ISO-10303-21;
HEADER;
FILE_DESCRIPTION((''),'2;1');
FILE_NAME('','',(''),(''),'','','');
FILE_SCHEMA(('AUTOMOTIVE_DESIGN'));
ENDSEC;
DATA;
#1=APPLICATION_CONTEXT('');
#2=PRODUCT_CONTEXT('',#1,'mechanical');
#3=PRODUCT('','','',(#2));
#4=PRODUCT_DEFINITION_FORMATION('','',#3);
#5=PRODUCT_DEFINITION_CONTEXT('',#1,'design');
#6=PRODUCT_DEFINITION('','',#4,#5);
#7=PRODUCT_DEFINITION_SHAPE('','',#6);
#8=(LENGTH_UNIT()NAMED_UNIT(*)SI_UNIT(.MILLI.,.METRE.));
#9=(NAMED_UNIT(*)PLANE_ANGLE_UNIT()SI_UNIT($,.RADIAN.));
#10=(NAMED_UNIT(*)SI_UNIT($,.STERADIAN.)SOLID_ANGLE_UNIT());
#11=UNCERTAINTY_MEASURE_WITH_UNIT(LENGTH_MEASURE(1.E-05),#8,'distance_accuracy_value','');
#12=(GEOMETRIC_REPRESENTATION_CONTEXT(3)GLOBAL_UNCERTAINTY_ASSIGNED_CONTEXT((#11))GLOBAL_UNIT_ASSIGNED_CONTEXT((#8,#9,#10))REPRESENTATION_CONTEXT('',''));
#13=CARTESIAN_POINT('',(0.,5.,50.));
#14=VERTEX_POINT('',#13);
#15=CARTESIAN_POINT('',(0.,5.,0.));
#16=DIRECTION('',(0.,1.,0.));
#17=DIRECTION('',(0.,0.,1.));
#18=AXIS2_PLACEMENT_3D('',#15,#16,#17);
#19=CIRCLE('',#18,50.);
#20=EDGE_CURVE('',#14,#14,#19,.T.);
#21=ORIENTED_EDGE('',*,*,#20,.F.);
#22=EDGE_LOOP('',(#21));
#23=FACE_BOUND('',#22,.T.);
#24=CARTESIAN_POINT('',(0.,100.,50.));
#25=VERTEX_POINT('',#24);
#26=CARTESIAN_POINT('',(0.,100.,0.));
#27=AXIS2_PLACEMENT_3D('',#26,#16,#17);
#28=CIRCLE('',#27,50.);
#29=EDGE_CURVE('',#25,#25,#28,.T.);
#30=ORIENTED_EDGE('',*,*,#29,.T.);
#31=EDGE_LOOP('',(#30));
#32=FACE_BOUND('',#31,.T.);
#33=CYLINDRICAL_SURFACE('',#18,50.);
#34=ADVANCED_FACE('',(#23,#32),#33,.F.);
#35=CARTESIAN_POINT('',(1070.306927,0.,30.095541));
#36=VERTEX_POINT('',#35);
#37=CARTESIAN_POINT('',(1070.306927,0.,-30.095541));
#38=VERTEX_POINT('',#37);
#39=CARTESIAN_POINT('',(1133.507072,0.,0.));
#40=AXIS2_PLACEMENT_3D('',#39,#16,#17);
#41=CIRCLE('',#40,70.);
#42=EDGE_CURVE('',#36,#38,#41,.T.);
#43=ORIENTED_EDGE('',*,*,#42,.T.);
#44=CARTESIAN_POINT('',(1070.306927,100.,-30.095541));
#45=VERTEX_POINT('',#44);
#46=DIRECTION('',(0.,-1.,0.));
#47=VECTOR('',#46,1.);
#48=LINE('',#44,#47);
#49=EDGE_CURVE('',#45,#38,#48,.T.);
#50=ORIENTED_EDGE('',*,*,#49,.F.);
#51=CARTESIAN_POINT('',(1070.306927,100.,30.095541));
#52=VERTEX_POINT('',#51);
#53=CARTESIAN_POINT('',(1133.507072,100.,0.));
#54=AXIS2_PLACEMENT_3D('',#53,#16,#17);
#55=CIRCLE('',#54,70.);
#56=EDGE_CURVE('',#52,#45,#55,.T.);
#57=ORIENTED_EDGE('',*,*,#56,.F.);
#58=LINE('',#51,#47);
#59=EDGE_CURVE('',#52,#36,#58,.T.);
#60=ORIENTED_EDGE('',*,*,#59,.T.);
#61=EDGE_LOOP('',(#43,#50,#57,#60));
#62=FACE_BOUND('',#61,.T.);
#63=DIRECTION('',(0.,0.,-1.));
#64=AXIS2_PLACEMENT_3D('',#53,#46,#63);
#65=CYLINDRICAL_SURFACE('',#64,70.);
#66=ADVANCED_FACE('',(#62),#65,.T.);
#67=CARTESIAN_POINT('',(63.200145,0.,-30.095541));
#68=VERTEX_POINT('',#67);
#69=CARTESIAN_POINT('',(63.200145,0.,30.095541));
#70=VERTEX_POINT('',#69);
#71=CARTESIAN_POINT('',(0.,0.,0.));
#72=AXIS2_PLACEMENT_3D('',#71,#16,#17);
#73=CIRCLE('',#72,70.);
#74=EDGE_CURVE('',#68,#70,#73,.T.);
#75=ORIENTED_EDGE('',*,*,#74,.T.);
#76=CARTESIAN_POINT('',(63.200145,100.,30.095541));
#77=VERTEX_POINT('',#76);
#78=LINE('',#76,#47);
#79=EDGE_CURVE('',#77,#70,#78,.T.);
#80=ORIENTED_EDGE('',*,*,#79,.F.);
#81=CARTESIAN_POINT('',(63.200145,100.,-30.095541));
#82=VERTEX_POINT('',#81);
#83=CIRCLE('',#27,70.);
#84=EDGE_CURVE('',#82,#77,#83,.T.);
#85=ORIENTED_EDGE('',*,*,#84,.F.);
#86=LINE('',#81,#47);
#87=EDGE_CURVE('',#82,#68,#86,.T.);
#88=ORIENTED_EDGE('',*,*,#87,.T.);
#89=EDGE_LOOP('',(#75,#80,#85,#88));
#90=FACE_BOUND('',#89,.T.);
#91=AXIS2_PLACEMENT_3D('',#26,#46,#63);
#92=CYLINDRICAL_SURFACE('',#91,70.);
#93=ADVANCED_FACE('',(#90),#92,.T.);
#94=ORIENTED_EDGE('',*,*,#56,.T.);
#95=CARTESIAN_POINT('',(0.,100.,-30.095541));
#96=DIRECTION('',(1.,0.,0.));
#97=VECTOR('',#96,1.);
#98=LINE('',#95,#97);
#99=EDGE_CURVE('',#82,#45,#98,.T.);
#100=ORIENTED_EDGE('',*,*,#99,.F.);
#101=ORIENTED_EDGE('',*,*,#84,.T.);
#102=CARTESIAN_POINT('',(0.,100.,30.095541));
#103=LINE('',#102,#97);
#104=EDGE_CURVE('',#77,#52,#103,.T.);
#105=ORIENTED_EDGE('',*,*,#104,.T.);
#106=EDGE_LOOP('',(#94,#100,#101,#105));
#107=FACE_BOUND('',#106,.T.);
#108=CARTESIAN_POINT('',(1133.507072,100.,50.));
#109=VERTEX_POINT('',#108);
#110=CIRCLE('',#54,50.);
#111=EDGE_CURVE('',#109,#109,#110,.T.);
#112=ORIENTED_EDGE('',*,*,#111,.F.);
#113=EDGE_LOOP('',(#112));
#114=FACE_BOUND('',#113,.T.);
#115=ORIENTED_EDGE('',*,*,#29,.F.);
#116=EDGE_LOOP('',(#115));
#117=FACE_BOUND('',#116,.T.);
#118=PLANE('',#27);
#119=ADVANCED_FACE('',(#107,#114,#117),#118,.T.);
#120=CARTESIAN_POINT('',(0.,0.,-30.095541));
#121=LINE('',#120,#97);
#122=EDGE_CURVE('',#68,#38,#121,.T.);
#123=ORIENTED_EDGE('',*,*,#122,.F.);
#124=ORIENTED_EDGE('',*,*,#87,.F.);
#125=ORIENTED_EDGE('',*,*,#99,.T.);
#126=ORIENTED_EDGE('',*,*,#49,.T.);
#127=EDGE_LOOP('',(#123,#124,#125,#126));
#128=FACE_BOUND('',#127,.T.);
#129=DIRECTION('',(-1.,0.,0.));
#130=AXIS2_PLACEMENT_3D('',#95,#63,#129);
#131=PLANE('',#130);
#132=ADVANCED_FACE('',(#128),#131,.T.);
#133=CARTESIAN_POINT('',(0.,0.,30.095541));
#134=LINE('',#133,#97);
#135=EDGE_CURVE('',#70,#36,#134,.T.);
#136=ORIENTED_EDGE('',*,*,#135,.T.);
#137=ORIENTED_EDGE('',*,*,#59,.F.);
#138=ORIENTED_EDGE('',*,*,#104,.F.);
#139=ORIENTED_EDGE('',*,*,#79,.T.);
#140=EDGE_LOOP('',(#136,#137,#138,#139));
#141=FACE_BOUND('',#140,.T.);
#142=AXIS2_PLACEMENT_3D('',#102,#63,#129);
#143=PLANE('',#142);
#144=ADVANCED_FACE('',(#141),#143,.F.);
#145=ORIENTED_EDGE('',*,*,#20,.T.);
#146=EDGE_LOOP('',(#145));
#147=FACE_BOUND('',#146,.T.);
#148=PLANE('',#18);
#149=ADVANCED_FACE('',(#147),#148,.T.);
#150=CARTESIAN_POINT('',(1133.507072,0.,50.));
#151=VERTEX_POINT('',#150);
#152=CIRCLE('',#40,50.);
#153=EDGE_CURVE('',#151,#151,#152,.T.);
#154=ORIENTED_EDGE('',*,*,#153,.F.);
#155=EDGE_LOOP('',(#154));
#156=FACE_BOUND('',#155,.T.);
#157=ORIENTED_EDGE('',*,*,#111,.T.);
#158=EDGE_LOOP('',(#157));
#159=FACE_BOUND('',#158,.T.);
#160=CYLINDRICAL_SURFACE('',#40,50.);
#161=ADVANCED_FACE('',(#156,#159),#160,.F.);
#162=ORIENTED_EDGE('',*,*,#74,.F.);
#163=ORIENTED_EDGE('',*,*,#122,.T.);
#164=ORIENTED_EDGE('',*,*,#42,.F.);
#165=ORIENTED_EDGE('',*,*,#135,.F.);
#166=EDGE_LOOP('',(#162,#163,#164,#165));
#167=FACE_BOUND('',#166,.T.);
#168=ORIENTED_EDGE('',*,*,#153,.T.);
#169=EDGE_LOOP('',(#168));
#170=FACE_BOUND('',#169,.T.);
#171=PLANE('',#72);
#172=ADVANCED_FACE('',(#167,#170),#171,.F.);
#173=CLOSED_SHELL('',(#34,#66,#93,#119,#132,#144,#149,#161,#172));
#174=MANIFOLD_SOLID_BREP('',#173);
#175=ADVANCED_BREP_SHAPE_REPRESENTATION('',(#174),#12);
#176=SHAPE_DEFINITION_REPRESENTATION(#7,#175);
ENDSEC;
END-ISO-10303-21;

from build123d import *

# Parameters (mm, degrees)
ESQUISSE1_R             = 70
BOSS_EXTRU_2_DEPTH      = 100
ESQUISSE2_R             = 50
ENL_V_MAT_EXTRU_2_DEPTH = 95
ESQUISSE4_R             = 50
ENL_V_MAT_EXTRU_3_DEPTH = 101


with BuildPart() as part:
    # Esquisse1 → Boss.-Extru.2 (new body)
    with BuildSketch(Plane(origin=(0, 0, 0), x_dir=(1, 0, 0), z_dir=(0, 1, 0))):
        with BuildLine():
            Line((1070.306926615, 30.095541494), (63.200145428, 30.095541494))
            ThreePointArc((63.200145428, 30.095541494), (68.278877334, 15.427083652), (70, 0))
            ThreePointArc((70, 0), (68.278877334, -15.427083652), (63.200145428, -30.095541494))
            Line((63.200145428, -30.095541494), (1070.306926615, -30.095541494))
            ThreePointArc((1070.306926615, -30.095541494), (1063.507072043, 0), (1070.306926615, 30.095541494))
        make_face()
        Circle(ESQUISSE1_R)
        with Locations((1133.507072043, 0)):
            Circle(ESQUISSE1_R)
    extrude(amount=BOSS_EXTRU_2_DEPTH)

    # Esquisse2 → Enlèv. mat.-Extru.2 (cut)
    with BuildSketch(Plane(origin=(0, 100, 0), x_dir=(1, 0, 0), z_dir=(0, 1, 0))):
        Circle(ESQUISSE2_R)
    extrude(amount=-ENL_V_MAT_EXTRU_2_DEPTH, mode=Mode.SUBTRACT)

    # Esquisse4 → Enlèv. mat.-Extru.3 (cut, through all)
    with BuildSketch(Plane(origin=(0, 100, 0), x_dir=(1, 0, 0), z_dir=(0, 1, 0))):
        with Locations((1133.507072043, 0)):
            Circle(ESQUISSE4_R)
    extrude(amount=-ENL_V_MAT_EXTRU_3_DEPTH, mode=Mode.SUBTRACT)


solid = part.part
